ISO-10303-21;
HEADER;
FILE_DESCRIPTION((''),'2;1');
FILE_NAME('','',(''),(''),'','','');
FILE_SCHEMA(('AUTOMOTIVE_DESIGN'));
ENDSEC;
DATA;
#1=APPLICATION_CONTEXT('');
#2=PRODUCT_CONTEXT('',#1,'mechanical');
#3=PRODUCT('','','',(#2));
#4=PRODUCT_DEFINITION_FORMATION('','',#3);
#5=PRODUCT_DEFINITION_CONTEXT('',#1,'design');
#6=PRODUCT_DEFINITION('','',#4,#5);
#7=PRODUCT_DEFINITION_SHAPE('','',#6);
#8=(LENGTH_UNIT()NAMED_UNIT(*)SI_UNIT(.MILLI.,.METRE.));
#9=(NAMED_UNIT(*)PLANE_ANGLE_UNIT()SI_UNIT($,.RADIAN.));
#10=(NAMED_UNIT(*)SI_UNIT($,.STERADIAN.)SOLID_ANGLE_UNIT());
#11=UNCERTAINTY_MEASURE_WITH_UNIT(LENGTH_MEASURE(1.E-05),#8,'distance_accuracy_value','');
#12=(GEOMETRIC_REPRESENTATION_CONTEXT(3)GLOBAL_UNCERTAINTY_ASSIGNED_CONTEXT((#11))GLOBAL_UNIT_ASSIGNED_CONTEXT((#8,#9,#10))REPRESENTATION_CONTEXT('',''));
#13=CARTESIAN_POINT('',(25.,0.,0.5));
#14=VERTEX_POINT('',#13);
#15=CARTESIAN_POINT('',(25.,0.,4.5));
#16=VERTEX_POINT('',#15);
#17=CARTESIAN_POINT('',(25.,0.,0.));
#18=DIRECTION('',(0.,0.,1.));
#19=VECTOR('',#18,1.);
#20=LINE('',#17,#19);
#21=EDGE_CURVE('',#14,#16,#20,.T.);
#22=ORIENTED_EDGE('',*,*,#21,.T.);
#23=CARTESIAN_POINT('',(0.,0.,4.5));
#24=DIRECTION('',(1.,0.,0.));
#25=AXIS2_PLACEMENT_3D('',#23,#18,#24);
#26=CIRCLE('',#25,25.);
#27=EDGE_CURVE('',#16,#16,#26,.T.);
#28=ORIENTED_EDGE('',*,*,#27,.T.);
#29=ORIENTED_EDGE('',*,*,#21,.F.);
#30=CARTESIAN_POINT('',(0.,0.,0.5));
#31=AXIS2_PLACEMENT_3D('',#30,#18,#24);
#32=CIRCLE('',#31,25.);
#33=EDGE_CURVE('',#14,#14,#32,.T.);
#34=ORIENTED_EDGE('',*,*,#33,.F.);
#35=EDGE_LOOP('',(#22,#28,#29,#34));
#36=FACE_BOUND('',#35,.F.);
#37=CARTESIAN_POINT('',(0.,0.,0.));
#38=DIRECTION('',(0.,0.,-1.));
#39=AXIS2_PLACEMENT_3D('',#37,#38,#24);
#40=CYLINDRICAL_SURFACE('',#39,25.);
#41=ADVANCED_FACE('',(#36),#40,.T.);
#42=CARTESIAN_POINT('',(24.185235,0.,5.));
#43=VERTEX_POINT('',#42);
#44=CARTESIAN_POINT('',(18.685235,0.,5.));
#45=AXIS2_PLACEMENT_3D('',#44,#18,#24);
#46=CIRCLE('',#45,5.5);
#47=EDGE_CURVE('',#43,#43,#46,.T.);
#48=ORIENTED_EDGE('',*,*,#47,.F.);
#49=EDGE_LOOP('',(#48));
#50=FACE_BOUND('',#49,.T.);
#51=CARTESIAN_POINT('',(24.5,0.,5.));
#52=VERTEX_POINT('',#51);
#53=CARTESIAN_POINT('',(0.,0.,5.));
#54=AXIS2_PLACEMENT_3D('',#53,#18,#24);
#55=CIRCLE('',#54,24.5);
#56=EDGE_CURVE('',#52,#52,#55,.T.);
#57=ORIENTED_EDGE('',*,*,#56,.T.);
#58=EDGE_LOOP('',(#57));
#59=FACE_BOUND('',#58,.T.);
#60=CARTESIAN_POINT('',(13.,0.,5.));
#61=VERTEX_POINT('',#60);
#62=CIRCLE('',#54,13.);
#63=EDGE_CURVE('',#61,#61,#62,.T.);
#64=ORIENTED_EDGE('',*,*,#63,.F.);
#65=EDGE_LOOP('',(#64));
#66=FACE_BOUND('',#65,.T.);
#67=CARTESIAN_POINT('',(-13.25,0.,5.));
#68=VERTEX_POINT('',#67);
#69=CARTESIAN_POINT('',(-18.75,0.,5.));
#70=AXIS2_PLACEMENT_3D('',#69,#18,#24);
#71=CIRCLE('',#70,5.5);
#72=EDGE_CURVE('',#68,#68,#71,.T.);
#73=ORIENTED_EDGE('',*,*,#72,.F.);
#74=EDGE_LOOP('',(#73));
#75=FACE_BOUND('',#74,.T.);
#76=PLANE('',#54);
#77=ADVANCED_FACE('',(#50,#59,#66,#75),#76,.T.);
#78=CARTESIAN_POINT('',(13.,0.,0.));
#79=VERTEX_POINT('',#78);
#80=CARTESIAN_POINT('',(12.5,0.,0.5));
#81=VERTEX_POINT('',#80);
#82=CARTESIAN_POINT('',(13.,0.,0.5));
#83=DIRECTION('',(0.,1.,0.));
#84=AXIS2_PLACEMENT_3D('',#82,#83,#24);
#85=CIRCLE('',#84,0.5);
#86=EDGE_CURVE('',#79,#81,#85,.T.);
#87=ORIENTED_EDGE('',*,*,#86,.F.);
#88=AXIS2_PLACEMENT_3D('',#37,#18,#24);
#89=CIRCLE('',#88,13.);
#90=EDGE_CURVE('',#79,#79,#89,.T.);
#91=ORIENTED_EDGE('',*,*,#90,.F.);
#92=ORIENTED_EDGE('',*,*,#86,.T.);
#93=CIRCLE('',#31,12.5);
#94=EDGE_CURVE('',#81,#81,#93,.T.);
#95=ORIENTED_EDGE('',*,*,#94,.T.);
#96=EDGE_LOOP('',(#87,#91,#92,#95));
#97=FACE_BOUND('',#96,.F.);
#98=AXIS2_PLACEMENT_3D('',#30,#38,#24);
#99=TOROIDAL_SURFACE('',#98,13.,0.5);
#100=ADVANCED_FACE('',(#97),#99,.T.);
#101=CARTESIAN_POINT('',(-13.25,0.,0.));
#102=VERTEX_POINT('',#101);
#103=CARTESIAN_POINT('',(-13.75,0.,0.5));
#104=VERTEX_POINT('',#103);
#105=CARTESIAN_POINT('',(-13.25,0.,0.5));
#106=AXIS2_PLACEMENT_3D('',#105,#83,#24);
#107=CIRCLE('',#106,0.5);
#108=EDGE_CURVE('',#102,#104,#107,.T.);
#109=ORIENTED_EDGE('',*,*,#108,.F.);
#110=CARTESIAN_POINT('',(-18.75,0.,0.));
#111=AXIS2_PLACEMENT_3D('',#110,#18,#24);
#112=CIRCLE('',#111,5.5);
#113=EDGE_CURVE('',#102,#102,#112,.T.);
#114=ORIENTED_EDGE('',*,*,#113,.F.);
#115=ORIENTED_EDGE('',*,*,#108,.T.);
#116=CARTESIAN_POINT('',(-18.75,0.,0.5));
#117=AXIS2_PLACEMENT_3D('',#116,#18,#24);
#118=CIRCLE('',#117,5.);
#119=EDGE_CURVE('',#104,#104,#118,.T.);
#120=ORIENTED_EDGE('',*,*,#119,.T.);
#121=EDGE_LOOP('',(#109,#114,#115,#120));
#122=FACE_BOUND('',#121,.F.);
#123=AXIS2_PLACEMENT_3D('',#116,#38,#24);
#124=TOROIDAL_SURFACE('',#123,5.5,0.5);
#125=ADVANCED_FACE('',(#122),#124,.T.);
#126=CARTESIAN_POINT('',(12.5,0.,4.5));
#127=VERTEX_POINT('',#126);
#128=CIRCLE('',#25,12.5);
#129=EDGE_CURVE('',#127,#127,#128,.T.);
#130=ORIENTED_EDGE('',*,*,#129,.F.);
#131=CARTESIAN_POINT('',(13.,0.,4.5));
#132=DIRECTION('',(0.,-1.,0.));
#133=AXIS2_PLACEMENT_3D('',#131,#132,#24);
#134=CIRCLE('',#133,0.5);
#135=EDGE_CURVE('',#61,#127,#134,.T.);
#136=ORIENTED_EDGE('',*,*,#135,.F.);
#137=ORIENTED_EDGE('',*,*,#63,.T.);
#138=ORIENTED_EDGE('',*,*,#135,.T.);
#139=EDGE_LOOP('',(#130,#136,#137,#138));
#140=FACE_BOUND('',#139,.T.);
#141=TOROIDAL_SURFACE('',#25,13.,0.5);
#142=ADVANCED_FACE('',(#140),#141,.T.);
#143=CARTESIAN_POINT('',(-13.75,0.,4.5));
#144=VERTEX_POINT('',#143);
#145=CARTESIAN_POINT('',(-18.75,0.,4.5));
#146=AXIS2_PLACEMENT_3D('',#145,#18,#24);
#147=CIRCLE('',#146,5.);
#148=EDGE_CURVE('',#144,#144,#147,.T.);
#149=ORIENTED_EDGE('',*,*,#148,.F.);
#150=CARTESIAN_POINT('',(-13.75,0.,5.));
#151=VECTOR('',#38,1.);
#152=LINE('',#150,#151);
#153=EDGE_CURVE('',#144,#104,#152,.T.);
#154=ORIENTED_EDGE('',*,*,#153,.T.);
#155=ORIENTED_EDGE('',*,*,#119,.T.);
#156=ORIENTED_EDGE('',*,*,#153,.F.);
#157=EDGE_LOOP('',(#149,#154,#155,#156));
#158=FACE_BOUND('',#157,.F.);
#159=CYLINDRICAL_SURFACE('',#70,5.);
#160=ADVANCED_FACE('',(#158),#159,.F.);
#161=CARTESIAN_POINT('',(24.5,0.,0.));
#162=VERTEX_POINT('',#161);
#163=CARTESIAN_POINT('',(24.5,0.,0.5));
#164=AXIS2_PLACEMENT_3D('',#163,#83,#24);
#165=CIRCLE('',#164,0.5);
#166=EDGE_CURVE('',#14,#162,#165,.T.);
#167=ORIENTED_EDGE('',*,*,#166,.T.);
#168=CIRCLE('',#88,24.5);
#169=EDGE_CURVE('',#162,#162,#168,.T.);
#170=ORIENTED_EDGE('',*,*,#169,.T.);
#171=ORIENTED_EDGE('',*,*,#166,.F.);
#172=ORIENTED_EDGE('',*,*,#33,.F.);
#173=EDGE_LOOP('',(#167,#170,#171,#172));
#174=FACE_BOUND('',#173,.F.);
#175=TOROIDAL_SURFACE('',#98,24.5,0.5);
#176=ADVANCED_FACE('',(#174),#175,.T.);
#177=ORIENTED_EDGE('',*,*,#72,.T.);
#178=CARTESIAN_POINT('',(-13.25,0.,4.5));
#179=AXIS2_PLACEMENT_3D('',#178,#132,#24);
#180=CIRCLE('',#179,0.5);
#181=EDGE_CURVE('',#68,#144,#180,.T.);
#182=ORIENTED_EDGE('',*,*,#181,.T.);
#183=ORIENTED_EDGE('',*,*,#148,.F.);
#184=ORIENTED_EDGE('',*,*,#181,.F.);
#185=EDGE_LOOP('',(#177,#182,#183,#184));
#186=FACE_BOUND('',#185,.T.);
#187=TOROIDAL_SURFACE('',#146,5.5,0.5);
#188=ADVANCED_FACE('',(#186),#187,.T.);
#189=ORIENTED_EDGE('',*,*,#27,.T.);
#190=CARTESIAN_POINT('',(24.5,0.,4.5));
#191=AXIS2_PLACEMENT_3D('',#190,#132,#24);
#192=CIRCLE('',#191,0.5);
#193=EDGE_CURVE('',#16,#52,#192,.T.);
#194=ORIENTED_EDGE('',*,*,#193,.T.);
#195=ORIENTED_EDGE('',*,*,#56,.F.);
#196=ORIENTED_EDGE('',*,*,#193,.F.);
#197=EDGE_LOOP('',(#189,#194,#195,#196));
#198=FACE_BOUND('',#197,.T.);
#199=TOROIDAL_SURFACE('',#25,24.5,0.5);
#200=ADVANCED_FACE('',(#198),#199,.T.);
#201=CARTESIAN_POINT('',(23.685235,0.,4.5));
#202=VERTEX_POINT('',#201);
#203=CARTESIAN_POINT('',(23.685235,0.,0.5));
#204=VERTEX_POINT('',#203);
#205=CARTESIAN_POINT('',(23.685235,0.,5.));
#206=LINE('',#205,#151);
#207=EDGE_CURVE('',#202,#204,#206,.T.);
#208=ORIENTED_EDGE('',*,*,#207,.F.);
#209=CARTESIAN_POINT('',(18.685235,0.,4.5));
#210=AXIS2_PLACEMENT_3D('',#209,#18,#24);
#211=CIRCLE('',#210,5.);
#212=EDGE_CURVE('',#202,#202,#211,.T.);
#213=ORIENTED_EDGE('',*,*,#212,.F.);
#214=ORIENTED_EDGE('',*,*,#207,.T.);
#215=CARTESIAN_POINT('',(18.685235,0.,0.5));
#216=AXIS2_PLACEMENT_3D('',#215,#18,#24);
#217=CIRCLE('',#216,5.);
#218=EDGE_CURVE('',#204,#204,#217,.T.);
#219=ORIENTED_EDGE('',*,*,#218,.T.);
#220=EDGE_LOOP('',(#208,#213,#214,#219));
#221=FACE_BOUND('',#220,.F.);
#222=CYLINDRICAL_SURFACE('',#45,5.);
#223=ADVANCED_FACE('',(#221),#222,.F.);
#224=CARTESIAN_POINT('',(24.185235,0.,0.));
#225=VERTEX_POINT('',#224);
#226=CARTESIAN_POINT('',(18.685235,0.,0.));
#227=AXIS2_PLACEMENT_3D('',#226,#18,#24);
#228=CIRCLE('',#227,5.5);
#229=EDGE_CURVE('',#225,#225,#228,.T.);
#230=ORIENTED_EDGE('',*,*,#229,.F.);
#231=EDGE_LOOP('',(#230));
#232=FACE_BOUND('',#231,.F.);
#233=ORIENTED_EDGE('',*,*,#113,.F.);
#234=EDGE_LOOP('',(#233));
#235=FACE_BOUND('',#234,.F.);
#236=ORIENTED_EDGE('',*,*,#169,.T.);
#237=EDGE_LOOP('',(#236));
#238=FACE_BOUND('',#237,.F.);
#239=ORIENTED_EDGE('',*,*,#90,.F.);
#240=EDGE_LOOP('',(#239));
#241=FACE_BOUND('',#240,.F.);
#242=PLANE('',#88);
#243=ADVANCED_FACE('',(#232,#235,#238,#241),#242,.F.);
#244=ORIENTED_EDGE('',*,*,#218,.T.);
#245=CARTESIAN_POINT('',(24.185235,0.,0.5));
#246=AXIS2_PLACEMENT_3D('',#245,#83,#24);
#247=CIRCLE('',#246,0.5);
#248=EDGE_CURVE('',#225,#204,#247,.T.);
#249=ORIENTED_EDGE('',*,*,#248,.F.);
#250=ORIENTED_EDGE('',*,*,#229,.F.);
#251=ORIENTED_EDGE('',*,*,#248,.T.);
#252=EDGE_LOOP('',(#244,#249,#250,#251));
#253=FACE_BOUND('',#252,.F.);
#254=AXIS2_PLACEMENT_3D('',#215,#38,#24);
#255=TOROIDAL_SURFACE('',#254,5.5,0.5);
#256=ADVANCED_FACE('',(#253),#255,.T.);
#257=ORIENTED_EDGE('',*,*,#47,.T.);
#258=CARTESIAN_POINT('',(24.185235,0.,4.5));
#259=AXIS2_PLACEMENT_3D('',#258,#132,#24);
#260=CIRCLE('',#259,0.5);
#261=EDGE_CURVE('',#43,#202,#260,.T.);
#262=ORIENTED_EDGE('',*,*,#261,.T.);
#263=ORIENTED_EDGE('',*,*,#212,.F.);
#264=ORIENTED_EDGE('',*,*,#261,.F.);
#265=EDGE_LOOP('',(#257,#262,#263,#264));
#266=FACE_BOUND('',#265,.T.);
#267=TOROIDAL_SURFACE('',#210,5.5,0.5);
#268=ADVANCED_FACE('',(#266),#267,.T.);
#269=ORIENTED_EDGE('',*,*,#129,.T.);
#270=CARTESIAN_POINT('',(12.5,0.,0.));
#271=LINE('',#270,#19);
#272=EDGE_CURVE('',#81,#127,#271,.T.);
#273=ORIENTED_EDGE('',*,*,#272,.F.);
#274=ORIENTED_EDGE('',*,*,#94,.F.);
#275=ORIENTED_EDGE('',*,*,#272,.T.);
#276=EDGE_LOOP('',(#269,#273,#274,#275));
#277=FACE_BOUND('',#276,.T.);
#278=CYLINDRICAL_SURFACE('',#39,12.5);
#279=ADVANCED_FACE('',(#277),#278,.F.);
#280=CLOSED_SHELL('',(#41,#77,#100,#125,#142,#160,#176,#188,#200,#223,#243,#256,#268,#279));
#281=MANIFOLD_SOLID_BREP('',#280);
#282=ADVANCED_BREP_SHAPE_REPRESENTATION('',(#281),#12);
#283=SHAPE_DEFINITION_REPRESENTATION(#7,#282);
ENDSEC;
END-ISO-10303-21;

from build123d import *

# Parameters (mm, degrees)
F0_R     = 25
F0_R_2   = 12.5
F1_DEPTH = 5
F2_R     = 5
F3_DEPTH = 25
F4_R     = 0.5
F5_R     = 0.5


with BuildPart() as f1:
    # F0 (on Top) → F1 (new body)
    with BuildSketch(Plane.XY):
        Circle(F0_R)
        Circle(F0_R_2, mode=Mode.SUBTRACT)
    extrude(amount=F1_DEPTH)

    # F2 (on face) → F3 (cut)
    with BuildSketch(Plane.XY.offset(5)):
        with Locations((-18.75, 0)):
            Circle(F2_R)
        with BuildLine():
            ThreePointArc((13.6852347776, 0), (18.6852347776, -5), (23.6852347776, 0))
            Line((23.6852347776, 0), (13.6852347776, 0))
        make_face()
        with BuildLine():
            Line((13.6852347776, 0), (23.6852347776, 0))
            ThreePointArc((23.6852347776, 0), (18.6852347776, 5), (13.6852347776, 0))
        make_face()
    extrude(amount=-F3_DEPTH, mode=Mode.SUBTRACT)

    # F4
    f4_edges = [f1.edges().sort_by_distance(p)[0] for p in [
        (-25, 0, 5),
        (-23.75, 0, 5),
        (-12.5, 0, 5),
        (13.685235, 0, 5),
    ]]
    fillet(f4_edges, radius=F4_R)

    # F5
    f5_edges = [f1.edges().sort_by_distance(p)[0] for p in [
        (-25, 0, 0),
        (-12.5, 0, 0),
        (-23.75, 0, 0),
        (13.685235, 0, 0),
    ]]
    fillet(f5_edges, radius=F5_R)


solid = f1.part
